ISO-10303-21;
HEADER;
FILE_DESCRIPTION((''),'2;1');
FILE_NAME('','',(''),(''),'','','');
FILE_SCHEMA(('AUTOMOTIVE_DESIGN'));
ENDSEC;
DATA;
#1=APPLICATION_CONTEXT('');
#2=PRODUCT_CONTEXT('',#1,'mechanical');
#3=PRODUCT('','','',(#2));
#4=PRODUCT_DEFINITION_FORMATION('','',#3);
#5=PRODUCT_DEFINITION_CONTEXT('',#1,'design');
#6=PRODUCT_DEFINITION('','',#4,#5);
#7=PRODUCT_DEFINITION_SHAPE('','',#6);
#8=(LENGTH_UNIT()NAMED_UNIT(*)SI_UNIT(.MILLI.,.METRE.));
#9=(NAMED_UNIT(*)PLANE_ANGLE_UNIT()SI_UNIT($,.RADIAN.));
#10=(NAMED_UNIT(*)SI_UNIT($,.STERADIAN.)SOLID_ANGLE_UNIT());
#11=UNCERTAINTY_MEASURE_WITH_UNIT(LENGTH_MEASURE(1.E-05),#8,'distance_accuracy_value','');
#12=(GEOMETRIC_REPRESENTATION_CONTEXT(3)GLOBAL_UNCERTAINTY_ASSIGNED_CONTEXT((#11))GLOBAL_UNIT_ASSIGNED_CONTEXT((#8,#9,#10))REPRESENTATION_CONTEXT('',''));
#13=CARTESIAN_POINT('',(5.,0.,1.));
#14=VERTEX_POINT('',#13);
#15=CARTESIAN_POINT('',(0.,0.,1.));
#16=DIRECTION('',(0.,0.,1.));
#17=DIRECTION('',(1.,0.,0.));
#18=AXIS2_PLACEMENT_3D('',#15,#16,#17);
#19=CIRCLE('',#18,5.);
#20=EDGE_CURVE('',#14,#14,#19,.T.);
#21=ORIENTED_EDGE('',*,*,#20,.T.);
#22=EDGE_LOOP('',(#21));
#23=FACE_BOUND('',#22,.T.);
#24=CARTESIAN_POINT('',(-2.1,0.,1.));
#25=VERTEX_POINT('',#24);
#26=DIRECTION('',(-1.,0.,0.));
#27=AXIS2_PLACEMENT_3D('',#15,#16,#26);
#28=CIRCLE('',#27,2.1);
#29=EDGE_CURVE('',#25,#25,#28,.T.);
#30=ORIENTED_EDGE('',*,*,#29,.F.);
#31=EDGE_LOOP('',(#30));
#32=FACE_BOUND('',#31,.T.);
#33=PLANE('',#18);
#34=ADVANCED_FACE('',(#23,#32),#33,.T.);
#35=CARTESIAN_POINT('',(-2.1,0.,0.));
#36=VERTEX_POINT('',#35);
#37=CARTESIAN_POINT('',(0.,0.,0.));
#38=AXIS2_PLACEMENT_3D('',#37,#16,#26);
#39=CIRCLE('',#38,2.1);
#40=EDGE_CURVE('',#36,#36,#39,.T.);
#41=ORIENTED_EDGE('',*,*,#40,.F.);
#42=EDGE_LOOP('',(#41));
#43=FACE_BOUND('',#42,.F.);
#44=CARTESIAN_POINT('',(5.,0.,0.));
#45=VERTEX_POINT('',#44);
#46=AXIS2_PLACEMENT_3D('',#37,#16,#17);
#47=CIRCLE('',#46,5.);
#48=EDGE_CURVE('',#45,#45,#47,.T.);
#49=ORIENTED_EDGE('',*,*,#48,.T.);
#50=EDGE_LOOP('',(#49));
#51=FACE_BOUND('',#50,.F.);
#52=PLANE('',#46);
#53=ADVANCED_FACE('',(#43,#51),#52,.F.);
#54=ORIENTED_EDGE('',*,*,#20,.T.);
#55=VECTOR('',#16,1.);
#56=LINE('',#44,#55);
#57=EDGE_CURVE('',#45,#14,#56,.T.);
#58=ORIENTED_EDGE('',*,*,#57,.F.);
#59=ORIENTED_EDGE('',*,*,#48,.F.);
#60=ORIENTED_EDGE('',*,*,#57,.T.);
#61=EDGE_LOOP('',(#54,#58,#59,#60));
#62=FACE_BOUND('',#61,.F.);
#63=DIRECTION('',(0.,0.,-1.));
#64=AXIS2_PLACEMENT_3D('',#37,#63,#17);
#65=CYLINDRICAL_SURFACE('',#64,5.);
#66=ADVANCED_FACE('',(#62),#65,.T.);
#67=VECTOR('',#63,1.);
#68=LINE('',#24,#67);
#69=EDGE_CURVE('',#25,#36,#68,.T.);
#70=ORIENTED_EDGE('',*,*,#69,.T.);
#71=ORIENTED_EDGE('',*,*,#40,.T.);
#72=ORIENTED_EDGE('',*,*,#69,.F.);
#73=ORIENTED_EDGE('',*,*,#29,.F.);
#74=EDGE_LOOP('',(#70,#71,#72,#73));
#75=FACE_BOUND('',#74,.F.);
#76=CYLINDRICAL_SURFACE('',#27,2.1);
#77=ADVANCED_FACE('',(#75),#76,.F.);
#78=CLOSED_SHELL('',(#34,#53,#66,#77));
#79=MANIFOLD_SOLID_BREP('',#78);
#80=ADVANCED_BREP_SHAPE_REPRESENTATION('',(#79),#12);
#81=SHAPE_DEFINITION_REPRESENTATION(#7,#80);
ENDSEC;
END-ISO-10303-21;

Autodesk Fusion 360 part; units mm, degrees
sketch "Esboço3" plane through (0, 0, 0) normal (0, 0, 1) x (1, 0, 0)
  circle A0 centre (0, 0) radius 5
  dimension "d7" = 10
extrude "Extrusão3" add sketch "Esboço3" along normal blind 1
sketch "Esboço4" plane through (0, 0, 1) normal (0, 0, 1) x (-1, 0, 0)
  circle A0 centre (0, 0) radius 5
  circle A1 centre (0, 0) radius 2.1
  dimension "d10" = 4.2
extrude "Extrusão4" cut sketch "Esboço4" against normal blind 5 contours A1
